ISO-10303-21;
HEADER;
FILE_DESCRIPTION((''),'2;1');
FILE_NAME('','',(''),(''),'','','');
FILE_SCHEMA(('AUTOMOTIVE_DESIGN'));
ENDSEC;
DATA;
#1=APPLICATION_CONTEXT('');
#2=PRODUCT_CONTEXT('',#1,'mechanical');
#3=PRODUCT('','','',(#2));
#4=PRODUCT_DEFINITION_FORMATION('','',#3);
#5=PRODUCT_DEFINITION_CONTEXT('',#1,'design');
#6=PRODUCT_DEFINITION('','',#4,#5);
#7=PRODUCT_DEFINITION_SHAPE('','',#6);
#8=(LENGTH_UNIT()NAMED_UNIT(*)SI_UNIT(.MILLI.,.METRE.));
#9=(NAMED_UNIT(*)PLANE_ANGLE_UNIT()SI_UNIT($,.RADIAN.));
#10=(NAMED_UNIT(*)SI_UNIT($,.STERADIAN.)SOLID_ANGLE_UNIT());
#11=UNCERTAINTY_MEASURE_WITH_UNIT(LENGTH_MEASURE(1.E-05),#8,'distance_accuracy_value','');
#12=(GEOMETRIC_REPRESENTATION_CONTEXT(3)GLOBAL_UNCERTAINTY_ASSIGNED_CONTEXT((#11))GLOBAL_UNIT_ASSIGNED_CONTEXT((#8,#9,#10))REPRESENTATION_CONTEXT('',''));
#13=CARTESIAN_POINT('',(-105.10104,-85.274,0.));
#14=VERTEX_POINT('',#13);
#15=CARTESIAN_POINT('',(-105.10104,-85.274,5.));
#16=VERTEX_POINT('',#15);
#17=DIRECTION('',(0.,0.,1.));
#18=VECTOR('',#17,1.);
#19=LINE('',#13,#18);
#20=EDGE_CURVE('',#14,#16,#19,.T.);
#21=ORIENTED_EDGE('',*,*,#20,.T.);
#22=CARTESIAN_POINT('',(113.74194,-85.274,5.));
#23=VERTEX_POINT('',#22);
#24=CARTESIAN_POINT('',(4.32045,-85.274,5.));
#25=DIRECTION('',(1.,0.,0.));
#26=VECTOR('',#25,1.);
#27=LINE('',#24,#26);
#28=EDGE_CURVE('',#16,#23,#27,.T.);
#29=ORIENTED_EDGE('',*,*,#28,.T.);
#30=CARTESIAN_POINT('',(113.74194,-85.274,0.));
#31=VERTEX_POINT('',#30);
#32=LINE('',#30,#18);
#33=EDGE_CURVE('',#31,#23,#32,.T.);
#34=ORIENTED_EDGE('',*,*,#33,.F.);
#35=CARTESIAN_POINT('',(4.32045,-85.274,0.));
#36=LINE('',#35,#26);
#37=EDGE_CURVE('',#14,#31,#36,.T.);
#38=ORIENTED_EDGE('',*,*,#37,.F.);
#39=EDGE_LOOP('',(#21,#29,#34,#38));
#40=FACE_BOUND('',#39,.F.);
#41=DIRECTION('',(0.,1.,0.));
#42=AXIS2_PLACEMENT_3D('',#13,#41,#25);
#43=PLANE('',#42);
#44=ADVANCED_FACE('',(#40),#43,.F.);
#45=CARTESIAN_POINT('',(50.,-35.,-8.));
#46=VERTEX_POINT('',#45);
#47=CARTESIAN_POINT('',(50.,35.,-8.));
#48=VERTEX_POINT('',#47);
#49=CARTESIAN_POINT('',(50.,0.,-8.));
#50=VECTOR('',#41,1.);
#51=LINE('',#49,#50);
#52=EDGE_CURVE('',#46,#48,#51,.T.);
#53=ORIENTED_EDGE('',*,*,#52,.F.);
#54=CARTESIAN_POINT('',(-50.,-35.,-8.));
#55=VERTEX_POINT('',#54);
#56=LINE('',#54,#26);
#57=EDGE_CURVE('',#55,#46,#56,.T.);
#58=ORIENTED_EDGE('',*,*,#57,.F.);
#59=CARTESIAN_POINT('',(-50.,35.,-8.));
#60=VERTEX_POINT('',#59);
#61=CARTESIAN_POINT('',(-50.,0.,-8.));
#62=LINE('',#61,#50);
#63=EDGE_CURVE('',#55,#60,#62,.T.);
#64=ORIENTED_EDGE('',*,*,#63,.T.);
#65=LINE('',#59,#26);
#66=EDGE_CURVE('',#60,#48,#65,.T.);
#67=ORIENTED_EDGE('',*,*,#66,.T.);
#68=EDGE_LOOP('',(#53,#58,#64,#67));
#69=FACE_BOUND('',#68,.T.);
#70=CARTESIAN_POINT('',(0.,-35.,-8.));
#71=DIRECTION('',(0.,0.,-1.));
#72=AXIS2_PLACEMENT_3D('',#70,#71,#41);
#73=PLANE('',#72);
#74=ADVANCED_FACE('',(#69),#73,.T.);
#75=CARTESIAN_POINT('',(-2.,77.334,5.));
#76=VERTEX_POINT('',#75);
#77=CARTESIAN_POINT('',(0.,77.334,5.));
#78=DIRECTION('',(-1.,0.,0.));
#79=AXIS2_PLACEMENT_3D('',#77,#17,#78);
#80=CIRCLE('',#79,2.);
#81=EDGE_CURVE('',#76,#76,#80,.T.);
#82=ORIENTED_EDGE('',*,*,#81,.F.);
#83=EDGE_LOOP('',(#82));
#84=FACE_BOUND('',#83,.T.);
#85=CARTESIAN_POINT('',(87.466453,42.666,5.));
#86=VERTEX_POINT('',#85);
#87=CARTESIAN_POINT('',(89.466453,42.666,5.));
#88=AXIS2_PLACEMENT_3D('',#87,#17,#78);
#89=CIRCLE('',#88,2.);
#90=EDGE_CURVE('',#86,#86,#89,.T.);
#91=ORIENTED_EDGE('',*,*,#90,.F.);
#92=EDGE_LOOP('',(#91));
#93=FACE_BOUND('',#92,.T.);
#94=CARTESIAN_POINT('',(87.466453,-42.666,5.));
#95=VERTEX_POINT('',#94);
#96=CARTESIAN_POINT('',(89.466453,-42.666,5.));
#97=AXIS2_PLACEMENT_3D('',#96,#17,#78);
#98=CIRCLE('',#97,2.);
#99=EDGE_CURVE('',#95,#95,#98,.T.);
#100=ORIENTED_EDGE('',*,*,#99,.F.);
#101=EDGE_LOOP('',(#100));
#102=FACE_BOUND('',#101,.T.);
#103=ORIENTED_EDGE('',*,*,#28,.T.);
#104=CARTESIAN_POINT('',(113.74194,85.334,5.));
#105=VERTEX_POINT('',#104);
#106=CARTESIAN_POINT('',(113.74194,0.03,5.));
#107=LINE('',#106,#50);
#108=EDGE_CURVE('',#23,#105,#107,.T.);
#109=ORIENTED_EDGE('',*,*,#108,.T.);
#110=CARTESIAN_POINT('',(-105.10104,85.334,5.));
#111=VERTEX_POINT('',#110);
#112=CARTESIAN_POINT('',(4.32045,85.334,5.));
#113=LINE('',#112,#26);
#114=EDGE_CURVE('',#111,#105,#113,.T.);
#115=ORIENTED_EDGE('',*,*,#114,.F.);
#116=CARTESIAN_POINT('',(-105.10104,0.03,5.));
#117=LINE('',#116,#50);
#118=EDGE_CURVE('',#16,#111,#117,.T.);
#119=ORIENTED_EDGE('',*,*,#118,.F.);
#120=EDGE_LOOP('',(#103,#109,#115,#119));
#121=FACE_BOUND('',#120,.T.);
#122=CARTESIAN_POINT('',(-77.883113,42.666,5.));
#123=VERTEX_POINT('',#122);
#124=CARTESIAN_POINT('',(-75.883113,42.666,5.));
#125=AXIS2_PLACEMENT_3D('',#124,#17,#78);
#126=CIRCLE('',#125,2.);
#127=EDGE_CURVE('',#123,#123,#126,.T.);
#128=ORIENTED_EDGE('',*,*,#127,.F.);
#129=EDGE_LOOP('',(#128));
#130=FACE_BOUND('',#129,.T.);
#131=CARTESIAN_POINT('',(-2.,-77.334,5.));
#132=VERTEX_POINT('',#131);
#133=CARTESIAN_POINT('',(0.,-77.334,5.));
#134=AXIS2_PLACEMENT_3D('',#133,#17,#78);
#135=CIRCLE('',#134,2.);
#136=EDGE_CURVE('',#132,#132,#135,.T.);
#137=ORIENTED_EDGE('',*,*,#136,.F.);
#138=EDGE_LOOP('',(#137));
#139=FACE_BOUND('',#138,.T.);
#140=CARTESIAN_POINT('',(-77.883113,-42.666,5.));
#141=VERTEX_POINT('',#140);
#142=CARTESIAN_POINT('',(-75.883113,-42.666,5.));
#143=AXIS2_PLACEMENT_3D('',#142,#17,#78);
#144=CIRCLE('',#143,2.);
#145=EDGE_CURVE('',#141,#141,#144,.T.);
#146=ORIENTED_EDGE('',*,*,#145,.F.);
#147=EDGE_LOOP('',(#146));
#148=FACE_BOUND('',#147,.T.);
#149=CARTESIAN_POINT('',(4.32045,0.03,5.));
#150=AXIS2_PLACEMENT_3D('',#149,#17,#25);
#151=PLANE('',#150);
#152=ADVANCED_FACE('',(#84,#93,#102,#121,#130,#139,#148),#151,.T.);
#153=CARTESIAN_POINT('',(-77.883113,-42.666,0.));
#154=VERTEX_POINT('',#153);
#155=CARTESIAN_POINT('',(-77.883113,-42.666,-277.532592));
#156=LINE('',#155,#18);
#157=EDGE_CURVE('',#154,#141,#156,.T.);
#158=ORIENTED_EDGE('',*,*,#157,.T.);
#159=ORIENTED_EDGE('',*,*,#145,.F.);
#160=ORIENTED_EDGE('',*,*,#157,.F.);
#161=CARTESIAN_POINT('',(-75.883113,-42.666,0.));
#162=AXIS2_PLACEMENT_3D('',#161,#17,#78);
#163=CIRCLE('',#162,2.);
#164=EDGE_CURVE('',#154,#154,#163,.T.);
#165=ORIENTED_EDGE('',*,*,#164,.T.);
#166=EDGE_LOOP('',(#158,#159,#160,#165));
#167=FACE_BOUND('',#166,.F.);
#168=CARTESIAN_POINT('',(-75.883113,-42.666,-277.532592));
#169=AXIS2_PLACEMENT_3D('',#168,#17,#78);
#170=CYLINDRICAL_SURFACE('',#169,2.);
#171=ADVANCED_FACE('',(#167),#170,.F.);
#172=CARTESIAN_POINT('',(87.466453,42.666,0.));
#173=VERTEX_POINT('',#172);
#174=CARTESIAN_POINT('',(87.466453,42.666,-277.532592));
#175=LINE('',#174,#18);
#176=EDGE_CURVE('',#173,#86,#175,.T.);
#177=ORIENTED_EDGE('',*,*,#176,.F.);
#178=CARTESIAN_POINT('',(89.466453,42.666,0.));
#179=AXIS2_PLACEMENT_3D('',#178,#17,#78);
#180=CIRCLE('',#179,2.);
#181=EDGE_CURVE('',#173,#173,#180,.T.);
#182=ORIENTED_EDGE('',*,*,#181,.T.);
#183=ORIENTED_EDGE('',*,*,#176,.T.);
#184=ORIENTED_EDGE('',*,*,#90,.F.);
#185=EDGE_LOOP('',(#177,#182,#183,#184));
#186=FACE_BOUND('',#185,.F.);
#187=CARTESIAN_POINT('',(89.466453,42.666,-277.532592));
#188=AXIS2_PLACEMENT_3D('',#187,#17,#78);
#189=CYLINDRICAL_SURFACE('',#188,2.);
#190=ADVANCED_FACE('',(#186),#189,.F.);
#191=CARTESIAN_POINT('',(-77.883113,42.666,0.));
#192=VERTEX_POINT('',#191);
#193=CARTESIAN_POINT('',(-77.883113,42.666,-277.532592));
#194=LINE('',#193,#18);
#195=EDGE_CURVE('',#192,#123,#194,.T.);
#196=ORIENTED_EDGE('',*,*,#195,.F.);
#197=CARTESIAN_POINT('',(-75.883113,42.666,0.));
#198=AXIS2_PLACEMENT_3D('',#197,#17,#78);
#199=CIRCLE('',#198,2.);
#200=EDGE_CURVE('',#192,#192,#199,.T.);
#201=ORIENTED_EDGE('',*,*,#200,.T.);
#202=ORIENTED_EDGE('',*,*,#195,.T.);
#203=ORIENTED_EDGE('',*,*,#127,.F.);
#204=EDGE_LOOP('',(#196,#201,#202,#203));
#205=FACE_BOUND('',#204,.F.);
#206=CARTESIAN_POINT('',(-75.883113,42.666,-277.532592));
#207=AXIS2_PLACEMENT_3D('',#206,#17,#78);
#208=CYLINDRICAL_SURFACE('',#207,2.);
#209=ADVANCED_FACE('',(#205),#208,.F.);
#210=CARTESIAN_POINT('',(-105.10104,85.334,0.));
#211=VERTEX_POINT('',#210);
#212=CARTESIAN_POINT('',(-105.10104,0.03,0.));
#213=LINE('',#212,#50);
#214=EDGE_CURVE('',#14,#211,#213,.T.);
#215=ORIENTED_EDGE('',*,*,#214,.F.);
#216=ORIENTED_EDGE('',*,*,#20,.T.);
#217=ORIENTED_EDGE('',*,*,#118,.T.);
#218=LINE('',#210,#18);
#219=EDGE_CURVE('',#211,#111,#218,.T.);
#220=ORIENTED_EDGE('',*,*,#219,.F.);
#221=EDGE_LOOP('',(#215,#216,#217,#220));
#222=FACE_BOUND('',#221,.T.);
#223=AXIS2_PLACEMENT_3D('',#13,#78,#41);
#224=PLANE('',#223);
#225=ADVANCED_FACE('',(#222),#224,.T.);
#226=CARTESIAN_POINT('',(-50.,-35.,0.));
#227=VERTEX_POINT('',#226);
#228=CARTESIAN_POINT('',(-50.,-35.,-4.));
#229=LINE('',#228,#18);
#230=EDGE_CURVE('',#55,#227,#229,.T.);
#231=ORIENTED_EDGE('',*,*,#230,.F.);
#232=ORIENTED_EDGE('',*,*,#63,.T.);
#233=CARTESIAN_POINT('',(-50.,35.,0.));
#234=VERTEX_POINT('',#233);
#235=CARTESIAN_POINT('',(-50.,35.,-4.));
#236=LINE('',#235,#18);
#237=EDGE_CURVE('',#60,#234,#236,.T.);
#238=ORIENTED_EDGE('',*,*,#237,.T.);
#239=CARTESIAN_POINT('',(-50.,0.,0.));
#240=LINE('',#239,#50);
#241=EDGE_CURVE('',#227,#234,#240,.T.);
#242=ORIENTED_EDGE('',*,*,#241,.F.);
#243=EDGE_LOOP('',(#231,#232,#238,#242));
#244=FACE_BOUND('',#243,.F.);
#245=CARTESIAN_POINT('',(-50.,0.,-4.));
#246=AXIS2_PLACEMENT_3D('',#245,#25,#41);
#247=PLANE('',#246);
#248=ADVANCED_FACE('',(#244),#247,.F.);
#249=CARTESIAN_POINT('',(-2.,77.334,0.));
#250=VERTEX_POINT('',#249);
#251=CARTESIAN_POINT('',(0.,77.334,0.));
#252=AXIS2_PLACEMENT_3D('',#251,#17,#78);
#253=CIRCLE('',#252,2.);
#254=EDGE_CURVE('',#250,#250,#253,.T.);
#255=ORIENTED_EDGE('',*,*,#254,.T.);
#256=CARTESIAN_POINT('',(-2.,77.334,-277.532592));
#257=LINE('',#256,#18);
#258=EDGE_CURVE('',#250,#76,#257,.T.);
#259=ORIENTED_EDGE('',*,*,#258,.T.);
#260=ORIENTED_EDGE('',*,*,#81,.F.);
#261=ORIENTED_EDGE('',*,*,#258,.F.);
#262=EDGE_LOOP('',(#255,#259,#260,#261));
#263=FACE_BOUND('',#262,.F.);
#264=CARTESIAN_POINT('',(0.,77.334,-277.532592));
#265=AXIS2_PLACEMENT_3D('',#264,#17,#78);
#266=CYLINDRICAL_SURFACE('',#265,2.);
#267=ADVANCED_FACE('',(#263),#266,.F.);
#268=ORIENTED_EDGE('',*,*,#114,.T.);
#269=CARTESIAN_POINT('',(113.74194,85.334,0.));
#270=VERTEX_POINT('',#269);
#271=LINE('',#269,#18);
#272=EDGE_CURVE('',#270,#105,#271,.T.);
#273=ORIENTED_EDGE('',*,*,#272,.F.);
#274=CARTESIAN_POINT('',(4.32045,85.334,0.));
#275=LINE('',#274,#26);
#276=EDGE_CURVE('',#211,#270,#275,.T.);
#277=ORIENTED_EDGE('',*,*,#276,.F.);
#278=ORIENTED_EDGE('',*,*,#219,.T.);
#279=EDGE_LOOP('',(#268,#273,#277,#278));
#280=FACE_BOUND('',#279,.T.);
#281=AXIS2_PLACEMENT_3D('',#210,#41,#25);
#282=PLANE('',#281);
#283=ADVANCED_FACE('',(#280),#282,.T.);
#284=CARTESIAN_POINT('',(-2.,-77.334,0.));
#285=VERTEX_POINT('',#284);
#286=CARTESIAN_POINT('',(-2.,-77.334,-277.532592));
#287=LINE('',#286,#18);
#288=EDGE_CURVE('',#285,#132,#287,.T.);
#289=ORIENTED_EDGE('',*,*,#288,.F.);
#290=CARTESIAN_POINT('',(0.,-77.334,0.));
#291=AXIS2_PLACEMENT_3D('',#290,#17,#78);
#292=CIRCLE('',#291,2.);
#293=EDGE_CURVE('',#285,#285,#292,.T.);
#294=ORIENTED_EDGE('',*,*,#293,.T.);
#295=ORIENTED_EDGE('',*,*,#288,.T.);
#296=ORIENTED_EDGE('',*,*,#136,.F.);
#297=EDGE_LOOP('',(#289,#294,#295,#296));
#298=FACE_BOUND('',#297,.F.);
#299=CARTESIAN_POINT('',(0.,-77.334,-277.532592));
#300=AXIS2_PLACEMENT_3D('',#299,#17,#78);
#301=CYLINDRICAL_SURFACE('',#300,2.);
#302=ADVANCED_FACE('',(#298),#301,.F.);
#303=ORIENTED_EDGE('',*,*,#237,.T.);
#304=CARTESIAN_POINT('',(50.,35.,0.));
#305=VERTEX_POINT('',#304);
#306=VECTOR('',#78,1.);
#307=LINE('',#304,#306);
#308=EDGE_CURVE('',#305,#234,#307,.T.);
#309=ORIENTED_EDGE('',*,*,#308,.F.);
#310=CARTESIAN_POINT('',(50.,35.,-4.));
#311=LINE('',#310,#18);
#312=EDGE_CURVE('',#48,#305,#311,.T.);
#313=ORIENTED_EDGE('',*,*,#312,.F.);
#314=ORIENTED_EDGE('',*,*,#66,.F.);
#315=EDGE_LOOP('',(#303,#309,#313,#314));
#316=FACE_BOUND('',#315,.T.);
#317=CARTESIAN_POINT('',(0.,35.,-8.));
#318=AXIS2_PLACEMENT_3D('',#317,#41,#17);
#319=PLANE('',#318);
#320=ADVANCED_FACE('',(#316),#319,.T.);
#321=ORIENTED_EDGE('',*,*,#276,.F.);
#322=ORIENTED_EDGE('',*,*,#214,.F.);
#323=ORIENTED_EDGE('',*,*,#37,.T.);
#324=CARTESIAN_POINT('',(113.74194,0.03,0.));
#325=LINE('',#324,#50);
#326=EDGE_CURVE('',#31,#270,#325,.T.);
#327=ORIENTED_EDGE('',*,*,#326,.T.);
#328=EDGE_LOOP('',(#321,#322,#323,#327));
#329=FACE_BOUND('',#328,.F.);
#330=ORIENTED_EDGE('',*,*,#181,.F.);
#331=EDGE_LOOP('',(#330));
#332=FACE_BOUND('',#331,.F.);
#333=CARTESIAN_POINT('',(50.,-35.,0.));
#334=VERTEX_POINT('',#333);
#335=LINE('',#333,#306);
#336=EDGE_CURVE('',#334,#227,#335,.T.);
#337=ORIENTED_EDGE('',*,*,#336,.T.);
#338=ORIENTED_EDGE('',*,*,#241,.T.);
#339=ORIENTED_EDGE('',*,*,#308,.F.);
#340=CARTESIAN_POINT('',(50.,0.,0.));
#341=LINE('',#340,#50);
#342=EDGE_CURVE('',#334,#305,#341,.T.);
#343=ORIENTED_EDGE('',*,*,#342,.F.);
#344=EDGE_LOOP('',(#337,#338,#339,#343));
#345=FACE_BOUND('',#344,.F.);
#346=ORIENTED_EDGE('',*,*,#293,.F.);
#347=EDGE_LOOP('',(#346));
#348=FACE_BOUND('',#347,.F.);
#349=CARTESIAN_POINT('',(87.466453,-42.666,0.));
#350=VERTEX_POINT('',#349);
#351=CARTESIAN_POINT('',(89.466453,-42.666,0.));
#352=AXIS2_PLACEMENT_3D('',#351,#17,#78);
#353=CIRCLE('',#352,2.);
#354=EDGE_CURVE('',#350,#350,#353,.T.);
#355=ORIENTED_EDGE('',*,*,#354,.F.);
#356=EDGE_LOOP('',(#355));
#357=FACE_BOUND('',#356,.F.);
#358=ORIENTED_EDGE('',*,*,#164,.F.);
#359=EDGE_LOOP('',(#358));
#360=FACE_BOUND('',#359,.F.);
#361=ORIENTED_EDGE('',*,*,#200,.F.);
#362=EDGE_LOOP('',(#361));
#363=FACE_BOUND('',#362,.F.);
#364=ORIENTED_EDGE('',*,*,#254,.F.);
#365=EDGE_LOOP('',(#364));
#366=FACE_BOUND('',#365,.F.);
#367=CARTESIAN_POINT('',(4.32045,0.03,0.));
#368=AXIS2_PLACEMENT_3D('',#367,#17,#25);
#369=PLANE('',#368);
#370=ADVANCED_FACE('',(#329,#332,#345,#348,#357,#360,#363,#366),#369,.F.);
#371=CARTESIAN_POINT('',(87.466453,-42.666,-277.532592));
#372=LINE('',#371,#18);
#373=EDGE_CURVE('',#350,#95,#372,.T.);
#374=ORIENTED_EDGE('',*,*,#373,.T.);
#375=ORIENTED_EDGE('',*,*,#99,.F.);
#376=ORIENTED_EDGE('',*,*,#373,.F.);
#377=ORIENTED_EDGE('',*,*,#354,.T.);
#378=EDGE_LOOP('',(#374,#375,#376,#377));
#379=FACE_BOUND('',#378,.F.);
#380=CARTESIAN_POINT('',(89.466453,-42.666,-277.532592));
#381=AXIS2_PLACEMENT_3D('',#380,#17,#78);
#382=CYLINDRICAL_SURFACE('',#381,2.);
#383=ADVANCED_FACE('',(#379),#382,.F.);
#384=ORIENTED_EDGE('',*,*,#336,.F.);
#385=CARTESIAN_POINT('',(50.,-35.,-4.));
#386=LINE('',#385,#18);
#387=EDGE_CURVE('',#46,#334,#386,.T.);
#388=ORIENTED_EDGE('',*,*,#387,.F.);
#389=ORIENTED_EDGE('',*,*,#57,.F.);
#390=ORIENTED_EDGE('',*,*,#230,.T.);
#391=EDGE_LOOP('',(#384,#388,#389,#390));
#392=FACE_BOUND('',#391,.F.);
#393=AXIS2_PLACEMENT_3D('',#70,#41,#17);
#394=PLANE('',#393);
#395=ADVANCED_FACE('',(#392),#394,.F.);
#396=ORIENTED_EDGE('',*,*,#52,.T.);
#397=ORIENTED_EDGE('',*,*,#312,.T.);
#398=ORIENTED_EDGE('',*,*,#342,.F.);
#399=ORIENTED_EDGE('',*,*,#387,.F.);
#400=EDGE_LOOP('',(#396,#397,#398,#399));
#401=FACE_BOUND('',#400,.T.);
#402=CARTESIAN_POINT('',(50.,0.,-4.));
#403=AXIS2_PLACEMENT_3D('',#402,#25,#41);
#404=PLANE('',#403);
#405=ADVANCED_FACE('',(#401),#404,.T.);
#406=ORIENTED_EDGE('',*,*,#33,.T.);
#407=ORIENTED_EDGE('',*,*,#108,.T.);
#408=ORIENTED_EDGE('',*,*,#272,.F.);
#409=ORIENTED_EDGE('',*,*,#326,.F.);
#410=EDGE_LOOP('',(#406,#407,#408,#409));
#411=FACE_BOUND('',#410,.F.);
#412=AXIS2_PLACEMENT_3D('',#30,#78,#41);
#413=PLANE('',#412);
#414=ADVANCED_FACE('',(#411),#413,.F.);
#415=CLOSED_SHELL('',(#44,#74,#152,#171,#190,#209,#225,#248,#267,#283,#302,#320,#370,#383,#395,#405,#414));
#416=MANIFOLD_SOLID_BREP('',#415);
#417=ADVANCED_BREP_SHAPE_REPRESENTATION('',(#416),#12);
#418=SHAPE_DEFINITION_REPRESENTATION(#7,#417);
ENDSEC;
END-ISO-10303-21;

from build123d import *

# Parameters (mm, degrees)
F0_W     = 218.84298
F0_H     = 170.608
F1_DEPTH = 5
F2_D     = 4
F3_W     = 70
F3_H     = 8
F4_DEPTH = 50


with BuildPart() as f1:
    # F0 (on Top) → F1 (new body)
    with BuildSketch(Plane.XY):
        with Locations((4.32045, 0.03)):
            Rectangle(F0_W, F0_H)
    extrude(amount=F1_DEPTH)

    # F2 (through all)
    with Locations(Plane(origin=(0, 0, 0), x_dir=(1, 0, 0), z_dir=(0, 0, -1))):
        with Locations((-75.883113, 42.666), (0, 77.334), (89.466453, 42.666), (-75.883113, -42.666), (0, -77.334), (89.466453, -42.666)):
            Hole(F2_D / 2)

    # F3 (on Right) → F4 (join, symmetric)
    with BuildSketch(Plane.YZ):
        with Locations((0, -4)):
            Rectangle(F3_W, F3_H)
    extrude(amount=F4_DEPTH, both=True)


solid = f1.part
